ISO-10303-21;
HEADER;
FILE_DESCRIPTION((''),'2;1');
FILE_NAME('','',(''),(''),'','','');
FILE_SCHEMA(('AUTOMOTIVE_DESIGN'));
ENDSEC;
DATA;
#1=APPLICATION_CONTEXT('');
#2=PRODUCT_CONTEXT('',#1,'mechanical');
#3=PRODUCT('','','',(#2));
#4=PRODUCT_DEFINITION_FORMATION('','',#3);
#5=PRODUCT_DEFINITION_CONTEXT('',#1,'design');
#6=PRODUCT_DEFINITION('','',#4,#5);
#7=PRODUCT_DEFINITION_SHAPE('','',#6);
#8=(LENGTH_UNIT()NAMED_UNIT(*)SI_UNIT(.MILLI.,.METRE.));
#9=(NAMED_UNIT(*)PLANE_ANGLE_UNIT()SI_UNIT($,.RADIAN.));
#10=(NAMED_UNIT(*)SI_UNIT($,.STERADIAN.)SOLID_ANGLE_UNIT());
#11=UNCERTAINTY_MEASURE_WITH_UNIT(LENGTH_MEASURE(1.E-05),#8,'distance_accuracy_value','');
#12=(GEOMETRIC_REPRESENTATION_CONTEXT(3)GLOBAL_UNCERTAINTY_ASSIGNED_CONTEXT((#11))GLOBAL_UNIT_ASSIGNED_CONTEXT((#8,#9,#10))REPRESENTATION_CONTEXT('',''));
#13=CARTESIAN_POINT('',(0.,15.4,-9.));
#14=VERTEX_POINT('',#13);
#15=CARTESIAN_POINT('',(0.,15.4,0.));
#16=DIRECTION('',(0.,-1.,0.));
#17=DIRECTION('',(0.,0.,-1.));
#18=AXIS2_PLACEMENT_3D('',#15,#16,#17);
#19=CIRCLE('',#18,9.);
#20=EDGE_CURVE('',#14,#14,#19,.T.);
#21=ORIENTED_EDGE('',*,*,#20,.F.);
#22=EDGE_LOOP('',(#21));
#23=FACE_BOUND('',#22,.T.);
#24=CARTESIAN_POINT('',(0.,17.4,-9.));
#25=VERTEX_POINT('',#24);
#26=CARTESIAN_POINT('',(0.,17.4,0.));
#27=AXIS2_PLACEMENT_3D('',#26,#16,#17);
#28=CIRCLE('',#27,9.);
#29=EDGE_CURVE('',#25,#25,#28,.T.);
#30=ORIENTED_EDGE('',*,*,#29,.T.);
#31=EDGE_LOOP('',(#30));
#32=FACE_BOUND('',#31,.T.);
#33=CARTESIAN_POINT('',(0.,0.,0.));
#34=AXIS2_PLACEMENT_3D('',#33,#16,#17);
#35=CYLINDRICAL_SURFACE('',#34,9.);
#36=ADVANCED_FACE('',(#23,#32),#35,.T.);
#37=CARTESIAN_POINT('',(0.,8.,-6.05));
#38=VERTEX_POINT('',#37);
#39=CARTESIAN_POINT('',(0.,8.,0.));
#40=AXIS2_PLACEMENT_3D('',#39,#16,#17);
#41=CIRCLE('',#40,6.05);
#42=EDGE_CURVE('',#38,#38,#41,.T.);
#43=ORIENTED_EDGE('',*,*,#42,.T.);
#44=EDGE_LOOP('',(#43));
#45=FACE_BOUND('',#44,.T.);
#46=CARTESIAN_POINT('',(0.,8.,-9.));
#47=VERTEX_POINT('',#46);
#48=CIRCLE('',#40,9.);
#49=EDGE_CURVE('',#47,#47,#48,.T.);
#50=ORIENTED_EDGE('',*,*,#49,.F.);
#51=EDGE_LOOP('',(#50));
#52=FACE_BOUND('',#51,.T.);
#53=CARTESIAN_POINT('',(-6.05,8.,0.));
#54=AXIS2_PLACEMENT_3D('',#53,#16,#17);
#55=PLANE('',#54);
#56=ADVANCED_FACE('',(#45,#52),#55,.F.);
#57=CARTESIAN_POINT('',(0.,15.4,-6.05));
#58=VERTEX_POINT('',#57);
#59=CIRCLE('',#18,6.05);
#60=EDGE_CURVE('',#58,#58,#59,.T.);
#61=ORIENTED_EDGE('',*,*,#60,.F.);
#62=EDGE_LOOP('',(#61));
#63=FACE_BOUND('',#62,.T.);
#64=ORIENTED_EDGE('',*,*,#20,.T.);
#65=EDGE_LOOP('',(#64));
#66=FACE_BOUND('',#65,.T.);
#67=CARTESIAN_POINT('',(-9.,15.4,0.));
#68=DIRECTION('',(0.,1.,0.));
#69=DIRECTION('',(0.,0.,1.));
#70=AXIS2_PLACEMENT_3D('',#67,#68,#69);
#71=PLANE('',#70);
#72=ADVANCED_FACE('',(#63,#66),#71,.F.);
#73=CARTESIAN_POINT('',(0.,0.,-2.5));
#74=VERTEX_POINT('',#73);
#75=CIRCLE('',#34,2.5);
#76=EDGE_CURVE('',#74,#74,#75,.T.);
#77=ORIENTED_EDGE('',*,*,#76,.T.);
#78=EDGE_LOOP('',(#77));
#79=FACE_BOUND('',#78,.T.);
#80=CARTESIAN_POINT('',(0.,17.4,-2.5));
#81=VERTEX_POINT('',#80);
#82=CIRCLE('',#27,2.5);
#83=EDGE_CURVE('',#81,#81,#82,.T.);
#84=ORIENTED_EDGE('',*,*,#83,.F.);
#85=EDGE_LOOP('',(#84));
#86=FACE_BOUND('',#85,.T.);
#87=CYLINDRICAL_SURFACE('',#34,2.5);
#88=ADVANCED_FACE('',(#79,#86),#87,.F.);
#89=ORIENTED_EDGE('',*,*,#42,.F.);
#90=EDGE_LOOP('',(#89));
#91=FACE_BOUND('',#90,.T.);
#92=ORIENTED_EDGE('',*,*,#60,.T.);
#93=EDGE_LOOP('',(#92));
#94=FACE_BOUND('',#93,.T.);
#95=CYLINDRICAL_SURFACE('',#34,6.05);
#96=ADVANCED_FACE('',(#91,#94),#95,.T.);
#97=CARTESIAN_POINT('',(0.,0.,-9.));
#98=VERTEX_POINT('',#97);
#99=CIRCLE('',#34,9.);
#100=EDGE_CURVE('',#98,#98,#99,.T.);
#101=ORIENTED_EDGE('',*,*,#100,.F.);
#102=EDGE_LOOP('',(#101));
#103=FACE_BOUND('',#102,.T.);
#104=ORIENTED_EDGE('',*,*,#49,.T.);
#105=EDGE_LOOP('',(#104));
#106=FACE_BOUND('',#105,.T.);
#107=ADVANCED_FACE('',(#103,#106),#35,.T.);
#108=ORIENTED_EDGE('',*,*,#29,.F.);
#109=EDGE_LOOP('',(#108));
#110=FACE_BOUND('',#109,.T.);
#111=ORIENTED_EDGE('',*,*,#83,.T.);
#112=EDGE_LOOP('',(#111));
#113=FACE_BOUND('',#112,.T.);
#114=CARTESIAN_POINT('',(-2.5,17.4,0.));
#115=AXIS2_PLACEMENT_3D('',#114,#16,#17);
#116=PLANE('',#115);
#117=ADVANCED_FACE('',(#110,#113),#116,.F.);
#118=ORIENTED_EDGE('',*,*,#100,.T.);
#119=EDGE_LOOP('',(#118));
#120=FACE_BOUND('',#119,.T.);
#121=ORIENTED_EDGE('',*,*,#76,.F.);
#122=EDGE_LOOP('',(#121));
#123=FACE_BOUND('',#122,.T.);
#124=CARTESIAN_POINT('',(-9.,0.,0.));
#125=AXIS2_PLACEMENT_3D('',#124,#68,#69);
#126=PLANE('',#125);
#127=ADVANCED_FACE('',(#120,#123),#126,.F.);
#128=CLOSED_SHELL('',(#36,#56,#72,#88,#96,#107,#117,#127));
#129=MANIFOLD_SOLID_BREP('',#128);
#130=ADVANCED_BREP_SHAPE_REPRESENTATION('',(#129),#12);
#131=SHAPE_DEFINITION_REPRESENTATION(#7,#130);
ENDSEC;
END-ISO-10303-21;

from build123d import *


with BuildPart() as part:
    # Эскиз1 → Повернуть1 (revolve)
    with BuildSketch(Plane.XY):
        Polygon((-2.5, 17.4), (-9, 17.4), (-9, 15.4), (-6.05, 15.4), (-6.05, 8), (-9, 8), (-9, 0), (-2.5, 0), align=None)
    revolve(axis=Axis((0, 0, 0), (0, 1, 0)))


solid = part.part
